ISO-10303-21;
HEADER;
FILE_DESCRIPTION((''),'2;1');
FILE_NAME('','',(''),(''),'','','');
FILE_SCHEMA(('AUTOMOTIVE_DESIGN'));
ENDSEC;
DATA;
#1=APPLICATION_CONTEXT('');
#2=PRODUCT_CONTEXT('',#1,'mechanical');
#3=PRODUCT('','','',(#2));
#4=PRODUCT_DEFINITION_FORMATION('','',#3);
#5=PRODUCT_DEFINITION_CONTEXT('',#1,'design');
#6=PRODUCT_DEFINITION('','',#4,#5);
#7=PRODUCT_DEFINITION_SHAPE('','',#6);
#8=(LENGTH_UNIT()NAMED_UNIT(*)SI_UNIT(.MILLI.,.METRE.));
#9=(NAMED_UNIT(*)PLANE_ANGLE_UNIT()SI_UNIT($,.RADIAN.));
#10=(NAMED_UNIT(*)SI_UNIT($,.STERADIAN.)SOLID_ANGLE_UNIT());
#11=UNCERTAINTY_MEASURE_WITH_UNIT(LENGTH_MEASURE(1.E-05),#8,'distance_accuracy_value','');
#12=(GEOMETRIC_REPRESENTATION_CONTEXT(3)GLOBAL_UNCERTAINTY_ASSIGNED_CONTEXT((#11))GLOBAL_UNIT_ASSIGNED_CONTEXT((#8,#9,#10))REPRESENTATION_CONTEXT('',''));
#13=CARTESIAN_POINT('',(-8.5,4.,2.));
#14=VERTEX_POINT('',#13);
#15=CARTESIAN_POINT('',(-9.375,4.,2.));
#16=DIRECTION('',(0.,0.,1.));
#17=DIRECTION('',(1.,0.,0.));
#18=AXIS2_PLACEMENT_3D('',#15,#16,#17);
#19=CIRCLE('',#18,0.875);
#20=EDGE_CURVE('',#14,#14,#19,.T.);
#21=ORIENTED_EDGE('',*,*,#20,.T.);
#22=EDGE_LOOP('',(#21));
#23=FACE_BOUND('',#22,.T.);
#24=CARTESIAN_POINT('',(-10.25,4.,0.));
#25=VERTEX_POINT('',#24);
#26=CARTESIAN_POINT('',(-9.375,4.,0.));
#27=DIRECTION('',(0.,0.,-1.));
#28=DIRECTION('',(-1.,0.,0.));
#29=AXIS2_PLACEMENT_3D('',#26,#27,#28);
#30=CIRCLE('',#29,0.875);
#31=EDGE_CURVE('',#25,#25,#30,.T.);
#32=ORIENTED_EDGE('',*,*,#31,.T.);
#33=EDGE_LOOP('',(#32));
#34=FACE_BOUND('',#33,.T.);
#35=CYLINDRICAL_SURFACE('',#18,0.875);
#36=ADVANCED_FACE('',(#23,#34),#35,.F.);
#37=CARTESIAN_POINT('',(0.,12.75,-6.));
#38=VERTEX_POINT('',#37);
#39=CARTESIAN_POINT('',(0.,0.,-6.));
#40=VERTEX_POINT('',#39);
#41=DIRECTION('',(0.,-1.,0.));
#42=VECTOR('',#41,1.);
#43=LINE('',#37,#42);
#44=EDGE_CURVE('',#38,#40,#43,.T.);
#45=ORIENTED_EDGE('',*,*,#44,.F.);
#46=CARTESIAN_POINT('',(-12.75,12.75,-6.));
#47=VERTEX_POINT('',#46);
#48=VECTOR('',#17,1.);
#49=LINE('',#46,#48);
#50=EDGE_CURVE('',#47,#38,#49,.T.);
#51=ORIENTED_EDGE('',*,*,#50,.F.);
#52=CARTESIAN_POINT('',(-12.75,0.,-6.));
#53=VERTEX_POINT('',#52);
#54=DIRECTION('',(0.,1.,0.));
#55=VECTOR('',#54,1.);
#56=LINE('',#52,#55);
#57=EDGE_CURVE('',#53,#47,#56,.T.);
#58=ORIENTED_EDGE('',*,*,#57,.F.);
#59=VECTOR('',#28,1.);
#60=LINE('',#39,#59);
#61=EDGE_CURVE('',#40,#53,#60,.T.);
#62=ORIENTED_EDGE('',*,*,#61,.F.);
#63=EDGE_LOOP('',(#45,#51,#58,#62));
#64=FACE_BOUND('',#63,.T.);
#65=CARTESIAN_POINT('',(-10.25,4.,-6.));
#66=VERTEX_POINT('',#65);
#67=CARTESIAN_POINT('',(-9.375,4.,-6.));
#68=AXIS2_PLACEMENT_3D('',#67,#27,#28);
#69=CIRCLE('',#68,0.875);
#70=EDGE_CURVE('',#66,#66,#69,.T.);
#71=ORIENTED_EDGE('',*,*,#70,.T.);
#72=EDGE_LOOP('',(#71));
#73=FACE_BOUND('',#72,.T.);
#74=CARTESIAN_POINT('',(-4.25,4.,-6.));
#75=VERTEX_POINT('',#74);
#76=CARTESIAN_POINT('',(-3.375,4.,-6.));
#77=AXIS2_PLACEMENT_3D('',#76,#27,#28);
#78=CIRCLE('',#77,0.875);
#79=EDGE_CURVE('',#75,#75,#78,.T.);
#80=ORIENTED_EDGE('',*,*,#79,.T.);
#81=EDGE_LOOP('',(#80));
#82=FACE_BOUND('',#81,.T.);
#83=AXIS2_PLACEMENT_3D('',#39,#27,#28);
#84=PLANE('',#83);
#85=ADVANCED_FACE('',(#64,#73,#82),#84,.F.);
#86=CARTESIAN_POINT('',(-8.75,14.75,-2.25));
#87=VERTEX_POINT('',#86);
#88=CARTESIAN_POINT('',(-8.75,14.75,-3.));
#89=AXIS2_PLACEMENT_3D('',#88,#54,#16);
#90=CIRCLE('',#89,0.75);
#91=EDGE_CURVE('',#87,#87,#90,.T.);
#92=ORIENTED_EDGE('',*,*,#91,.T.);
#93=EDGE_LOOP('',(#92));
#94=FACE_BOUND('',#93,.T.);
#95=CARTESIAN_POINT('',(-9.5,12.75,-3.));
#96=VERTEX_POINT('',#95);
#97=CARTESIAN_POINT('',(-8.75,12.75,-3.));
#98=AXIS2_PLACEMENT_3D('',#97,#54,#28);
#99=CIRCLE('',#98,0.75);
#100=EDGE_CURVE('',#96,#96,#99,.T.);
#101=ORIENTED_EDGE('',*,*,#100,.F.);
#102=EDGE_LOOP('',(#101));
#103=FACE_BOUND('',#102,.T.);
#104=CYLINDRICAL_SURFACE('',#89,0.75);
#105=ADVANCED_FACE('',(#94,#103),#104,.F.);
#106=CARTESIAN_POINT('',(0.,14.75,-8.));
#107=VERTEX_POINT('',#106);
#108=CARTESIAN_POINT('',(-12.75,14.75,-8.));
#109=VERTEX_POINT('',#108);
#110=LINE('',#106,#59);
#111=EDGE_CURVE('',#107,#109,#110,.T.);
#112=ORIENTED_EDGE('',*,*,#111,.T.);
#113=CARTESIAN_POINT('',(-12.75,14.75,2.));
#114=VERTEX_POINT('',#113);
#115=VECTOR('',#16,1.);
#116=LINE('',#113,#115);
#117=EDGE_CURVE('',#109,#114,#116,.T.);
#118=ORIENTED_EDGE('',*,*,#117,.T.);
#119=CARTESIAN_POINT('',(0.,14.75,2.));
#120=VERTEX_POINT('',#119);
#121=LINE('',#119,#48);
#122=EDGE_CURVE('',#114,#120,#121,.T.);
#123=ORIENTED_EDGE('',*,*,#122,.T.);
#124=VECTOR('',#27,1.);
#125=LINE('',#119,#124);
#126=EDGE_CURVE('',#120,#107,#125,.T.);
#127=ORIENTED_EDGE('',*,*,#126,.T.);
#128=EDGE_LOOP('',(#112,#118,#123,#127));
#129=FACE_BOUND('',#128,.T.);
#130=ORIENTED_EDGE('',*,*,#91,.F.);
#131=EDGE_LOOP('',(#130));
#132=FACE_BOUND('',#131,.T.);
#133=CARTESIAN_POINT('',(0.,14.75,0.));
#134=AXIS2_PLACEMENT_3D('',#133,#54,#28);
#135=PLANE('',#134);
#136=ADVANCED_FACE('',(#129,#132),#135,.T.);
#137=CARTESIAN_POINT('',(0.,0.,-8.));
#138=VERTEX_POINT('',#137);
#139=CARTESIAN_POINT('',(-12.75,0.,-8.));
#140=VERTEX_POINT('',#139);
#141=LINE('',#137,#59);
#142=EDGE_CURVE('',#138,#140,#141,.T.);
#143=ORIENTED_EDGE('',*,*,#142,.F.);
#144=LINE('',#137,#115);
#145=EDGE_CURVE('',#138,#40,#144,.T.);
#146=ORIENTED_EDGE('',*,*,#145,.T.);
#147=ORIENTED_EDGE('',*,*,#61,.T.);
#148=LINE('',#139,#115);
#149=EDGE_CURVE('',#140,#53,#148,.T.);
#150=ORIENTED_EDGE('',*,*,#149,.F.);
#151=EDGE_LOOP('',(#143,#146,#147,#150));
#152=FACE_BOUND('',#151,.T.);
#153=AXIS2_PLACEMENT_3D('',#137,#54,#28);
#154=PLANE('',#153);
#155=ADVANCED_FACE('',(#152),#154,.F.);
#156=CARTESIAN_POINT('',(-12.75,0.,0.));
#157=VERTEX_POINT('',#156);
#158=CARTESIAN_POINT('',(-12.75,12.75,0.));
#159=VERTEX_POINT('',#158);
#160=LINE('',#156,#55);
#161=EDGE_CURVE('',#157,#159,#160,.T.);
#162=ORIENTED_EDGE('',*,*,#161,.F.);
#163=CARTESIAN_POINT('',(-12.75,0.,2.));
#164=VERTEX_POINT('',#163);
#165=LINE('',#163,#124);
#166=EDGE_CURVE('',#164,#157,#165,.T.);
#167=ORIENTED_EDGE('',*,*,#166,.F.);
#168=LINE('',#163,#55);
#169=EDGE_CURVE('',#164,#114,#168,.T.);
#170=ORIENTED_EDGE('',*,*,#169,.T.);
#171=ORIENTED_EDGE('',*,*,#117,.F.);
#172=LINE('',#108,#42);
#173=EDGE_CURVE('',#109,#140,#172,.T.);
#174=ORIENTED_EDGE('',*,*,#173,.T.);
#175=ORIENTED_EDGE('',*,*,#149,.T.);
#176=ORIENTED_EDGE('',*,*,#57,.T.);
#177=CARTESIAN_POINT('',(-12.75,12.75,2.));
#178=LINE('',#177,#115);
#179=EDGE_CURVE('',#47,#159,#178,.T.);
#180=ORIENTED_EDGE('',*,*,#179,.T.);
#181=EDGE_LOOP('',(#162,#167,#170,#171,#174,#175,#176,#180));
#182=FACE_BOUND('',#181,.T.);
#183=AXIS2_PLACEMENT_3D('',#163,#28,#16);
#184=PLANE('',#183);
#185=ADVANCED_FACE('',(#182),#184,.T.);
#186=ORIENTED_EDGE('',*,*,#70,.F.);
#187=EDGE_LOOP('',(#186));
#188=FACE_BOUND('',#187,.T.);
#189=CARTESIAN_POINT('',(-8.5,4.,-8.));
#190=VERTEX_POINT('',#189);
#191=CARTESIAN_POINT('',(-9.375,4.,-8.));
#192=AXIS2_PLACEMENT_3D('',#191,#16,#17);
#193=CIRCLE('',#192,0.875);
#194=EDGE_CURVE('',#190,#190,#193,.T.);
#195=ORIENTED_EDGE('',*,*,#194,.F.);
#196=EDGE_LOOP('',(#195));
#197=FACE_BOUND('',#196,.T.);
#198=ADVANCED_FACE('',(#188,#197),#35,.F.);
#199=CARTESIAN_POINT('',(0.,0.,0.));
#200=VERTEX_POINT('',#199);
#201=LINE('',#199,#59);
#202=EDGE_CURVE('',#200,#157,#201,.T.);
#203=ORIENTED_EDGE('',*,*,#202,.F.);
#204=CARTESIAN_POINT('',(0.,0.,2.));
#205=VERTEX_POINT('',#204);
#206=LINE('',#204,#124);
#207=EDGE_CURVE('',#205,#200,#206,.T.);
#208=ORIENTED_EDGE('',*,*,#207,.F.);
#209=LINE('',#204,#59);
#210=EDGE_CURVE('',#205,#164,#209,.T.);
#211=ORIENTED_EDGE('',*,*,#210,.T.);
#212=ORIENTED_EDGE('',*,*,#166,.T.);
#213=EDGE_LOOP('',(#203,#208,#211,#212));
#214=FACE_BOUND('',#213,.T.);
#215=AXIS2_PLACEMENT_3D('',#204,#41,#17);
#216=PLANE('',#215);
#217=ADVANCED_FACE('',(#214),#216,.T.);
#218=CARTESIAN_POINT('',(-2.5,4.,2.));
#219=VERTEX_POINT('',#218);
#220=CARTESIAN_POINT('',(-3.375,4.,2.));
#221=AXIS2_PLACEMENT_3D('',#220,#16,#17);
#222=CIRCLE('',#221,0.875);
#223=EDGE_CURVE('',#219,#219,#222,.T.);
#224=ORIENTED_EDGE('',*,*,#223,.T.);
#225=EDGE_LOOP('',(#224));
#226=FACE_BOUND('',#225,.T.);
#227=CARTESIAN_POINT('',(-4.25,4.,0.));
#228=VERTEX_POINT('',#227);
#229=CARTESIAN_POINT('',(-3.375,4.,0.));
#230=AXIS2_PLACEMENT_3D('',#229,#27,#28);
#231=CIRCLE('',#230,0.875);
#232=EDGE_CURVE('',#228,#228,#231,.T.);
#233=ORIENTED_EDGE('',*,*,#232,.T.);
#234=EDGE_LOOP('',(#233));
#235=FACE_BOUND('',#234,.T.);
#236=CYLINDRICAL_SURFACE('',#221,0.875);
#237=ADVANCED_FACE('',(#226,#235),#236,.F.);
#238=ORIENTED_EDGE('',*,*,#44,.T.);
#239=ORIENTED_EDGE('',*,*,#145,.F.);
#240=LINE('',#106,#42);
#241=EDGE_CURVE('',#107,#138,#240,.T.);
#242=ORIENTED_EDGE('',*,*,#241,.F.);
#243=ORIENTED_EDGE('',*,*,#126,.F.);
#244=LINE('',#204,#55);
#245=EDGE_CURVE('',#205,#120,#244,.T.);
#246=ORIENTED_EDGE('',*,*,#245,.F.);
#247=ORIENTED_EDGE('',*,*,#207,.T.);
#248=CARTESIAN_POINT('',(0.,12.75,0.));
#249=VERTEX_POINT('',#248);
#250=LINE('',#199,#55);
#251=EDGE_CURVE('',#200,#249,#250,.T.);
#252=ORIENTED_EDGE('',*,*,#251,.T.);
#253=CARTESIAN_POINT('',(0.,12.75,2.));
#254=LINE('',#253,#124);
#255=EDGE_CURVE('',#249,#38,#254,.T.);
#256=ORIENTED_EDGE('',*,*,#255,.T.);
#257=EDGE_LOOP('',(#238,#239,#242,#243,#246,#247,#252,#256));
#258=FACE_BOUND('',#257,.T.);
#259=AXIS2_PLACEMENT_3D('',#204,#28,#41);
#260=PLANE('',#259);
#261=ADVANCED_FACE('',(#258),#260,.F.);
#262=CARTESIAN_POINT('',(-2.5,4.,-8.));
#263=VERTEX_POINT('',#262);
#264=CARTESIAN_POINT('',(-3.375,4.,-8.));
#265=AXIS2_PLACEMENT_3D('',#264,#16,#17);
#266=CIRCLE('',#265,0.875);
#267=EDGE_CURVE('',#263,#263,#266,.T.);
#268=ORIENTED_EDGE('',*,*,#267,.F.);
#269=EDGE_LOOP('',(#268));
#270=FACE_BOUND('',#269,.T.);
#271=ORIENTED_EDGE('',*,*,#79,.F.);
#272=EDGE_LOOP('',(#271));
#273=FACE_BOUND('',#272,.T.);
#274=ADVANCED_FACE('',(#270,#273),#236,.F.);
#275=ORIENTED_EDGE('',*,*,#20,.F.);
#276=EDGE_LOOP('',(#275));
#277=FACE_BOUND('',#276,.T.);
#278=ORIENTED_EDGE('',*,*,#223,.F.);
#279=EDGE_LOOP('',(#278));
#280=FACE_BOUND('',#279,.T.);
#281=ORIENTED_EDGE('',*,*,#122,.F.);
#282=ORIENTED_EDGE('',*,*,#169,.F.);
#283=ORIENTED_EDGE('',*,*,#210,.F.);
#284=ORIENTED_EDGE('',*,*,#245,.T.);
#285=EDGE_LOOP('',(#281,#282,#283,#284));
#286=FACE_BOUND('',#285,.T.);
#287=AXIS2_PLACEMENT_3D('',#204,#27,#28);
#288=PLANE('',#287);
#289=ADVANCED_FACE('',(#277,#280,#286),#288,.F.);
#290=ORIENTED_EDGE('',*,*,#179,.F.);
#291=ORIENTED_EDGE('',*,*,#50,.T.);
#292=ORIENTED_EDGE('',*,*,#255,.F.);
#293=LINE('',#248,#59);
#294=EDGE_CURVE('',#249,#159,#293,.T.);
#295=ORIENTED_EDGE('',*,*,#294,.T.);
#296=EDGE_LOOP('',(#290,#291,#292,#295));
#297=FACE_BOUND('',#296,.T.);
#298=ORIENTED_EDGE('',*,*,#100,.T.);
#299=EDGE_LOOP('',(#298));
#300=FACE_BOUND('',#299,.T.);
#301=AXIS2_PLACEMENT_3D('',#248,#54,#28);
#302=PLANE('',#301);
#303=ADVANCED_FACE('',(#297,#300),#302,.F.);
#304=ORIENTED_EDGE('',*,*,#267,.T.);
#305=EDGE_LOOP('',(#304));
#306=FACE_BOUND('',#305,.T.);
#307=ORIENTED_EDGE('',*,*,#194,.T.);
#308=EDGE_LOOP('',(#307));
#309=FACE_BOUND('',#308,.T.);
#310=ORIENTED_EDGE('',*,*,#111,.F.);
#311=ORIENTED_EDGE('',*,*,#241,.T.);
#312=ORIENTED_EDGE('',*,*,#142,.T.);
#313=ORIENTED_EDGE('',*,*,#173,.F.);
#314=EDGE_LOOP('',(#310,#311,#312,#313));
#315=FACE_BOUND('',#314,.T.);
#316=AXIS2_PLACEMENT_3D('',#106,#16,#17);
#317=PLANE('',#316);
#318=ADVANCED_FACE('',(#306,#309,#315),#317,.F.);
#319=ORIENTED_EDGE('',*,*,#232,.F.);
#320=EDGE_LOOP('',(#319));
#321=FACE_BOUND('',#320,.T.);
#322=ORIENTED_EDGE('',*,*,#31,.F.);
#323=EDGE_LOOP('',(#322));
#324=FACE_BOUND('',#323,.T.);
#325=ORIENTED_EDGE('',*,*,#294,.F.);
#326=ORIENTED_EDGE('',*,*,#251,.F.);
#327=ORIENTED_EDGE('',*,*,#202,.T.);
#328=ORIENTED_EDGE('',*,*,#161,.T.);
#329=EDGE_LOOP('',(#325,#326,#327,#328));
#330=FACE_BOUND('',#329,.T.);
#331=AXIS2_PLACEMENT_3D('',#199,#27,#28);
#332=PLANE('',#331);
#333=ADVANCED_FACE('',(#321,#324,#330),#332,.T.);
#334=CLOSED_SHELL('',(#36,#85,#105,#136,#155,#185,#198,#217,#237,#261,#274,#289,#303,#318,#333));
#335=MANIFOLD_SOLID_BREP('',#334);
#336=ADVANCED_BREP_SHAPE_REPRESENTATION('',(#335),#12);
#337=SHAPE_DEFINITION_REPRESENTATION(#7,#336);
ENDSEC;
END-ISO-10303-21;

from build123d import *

# Parameters (mm, degrees)
SKETCH1_W             = 12.75
SKETCH1_H             = 12.75
BOSS_EXTRUDE1_DEPTH   = 2
SKETCH2_W             = 12.75
SKETCH2_H             = 12.75
BOSS_EXTRUDE2_DEPTH   = 2
SKETCH3_W             = 12.75
SKETCH3_H             = 10
BOSS_EXTRUDE3_DEPTH   = 2
F_1_0MM_DOWEL_HOLE1_D = 1.75
F_1_0MM_DOWEL_HOLE2_D = 1.5


with BuildPart() as part:
    # Sketch1 → Boss-Extrude1 (new body)
    with BuildSketch(Plane.XY):
        with Locations((-6.375, 6.375)):
            Rectangle(SKETCH1_W, SKETCH1_H)
    extrude(amount=BOSS_EXTRUDE1_DEPTH)



with BuildPart() as body_2:
    # Sketch2 → Boss-Extrude2 (new body)
    with BuildSketch(Plane(origin=(0, 0, -6), x_dir=(-1, 0, 0), z_dir=(0, 0, -1))):
        with Locations((6.375, 6.375)):
            Rectangle(SKETCH2_W, SKETCH2_H)
    extrude(amount=BOSS_EXTRUDE2_DEPTH)


with BuildPart() as part_1:
    add(part.part)

    add(body_2.part)  # Boss-Extrude3 merges body 2
    # Sketch3 → Boss-Extrude3 (add)
    with BuildSketch(Plane(origin=(0, 12.75, 0), x_dir=(1, 0, 0), z_dir=(0, 1, 0))):
        with Locations((-6.375, 3)):
            Rectangle(SKETCH3_W, SKETCH3_H)
    extrude(amount=BOSS_EXTRUDE3_DEPTH)

    # Ø1.0mm Dowel Hole1 (through all)
    with Locations(Plane.XY.offset(2)):
        with Locations((-9.375, 4), (-3.375, 4)):
            Hole(F_1_0MM_DOWEL_HOLE1_D / 2)

    # Ø1.0mm Dowel Hole2 (through all)
    with Locations(Plane(origin=(0, 14.75, 0), x_dir=(1, 0, 0), z_dir=(0, 1, 0))):
        with Locations((-8.75, 3)):
            Hole(F_1_0MM_DOWEL_HOLE2_D / 2)


solid = part_1.part
